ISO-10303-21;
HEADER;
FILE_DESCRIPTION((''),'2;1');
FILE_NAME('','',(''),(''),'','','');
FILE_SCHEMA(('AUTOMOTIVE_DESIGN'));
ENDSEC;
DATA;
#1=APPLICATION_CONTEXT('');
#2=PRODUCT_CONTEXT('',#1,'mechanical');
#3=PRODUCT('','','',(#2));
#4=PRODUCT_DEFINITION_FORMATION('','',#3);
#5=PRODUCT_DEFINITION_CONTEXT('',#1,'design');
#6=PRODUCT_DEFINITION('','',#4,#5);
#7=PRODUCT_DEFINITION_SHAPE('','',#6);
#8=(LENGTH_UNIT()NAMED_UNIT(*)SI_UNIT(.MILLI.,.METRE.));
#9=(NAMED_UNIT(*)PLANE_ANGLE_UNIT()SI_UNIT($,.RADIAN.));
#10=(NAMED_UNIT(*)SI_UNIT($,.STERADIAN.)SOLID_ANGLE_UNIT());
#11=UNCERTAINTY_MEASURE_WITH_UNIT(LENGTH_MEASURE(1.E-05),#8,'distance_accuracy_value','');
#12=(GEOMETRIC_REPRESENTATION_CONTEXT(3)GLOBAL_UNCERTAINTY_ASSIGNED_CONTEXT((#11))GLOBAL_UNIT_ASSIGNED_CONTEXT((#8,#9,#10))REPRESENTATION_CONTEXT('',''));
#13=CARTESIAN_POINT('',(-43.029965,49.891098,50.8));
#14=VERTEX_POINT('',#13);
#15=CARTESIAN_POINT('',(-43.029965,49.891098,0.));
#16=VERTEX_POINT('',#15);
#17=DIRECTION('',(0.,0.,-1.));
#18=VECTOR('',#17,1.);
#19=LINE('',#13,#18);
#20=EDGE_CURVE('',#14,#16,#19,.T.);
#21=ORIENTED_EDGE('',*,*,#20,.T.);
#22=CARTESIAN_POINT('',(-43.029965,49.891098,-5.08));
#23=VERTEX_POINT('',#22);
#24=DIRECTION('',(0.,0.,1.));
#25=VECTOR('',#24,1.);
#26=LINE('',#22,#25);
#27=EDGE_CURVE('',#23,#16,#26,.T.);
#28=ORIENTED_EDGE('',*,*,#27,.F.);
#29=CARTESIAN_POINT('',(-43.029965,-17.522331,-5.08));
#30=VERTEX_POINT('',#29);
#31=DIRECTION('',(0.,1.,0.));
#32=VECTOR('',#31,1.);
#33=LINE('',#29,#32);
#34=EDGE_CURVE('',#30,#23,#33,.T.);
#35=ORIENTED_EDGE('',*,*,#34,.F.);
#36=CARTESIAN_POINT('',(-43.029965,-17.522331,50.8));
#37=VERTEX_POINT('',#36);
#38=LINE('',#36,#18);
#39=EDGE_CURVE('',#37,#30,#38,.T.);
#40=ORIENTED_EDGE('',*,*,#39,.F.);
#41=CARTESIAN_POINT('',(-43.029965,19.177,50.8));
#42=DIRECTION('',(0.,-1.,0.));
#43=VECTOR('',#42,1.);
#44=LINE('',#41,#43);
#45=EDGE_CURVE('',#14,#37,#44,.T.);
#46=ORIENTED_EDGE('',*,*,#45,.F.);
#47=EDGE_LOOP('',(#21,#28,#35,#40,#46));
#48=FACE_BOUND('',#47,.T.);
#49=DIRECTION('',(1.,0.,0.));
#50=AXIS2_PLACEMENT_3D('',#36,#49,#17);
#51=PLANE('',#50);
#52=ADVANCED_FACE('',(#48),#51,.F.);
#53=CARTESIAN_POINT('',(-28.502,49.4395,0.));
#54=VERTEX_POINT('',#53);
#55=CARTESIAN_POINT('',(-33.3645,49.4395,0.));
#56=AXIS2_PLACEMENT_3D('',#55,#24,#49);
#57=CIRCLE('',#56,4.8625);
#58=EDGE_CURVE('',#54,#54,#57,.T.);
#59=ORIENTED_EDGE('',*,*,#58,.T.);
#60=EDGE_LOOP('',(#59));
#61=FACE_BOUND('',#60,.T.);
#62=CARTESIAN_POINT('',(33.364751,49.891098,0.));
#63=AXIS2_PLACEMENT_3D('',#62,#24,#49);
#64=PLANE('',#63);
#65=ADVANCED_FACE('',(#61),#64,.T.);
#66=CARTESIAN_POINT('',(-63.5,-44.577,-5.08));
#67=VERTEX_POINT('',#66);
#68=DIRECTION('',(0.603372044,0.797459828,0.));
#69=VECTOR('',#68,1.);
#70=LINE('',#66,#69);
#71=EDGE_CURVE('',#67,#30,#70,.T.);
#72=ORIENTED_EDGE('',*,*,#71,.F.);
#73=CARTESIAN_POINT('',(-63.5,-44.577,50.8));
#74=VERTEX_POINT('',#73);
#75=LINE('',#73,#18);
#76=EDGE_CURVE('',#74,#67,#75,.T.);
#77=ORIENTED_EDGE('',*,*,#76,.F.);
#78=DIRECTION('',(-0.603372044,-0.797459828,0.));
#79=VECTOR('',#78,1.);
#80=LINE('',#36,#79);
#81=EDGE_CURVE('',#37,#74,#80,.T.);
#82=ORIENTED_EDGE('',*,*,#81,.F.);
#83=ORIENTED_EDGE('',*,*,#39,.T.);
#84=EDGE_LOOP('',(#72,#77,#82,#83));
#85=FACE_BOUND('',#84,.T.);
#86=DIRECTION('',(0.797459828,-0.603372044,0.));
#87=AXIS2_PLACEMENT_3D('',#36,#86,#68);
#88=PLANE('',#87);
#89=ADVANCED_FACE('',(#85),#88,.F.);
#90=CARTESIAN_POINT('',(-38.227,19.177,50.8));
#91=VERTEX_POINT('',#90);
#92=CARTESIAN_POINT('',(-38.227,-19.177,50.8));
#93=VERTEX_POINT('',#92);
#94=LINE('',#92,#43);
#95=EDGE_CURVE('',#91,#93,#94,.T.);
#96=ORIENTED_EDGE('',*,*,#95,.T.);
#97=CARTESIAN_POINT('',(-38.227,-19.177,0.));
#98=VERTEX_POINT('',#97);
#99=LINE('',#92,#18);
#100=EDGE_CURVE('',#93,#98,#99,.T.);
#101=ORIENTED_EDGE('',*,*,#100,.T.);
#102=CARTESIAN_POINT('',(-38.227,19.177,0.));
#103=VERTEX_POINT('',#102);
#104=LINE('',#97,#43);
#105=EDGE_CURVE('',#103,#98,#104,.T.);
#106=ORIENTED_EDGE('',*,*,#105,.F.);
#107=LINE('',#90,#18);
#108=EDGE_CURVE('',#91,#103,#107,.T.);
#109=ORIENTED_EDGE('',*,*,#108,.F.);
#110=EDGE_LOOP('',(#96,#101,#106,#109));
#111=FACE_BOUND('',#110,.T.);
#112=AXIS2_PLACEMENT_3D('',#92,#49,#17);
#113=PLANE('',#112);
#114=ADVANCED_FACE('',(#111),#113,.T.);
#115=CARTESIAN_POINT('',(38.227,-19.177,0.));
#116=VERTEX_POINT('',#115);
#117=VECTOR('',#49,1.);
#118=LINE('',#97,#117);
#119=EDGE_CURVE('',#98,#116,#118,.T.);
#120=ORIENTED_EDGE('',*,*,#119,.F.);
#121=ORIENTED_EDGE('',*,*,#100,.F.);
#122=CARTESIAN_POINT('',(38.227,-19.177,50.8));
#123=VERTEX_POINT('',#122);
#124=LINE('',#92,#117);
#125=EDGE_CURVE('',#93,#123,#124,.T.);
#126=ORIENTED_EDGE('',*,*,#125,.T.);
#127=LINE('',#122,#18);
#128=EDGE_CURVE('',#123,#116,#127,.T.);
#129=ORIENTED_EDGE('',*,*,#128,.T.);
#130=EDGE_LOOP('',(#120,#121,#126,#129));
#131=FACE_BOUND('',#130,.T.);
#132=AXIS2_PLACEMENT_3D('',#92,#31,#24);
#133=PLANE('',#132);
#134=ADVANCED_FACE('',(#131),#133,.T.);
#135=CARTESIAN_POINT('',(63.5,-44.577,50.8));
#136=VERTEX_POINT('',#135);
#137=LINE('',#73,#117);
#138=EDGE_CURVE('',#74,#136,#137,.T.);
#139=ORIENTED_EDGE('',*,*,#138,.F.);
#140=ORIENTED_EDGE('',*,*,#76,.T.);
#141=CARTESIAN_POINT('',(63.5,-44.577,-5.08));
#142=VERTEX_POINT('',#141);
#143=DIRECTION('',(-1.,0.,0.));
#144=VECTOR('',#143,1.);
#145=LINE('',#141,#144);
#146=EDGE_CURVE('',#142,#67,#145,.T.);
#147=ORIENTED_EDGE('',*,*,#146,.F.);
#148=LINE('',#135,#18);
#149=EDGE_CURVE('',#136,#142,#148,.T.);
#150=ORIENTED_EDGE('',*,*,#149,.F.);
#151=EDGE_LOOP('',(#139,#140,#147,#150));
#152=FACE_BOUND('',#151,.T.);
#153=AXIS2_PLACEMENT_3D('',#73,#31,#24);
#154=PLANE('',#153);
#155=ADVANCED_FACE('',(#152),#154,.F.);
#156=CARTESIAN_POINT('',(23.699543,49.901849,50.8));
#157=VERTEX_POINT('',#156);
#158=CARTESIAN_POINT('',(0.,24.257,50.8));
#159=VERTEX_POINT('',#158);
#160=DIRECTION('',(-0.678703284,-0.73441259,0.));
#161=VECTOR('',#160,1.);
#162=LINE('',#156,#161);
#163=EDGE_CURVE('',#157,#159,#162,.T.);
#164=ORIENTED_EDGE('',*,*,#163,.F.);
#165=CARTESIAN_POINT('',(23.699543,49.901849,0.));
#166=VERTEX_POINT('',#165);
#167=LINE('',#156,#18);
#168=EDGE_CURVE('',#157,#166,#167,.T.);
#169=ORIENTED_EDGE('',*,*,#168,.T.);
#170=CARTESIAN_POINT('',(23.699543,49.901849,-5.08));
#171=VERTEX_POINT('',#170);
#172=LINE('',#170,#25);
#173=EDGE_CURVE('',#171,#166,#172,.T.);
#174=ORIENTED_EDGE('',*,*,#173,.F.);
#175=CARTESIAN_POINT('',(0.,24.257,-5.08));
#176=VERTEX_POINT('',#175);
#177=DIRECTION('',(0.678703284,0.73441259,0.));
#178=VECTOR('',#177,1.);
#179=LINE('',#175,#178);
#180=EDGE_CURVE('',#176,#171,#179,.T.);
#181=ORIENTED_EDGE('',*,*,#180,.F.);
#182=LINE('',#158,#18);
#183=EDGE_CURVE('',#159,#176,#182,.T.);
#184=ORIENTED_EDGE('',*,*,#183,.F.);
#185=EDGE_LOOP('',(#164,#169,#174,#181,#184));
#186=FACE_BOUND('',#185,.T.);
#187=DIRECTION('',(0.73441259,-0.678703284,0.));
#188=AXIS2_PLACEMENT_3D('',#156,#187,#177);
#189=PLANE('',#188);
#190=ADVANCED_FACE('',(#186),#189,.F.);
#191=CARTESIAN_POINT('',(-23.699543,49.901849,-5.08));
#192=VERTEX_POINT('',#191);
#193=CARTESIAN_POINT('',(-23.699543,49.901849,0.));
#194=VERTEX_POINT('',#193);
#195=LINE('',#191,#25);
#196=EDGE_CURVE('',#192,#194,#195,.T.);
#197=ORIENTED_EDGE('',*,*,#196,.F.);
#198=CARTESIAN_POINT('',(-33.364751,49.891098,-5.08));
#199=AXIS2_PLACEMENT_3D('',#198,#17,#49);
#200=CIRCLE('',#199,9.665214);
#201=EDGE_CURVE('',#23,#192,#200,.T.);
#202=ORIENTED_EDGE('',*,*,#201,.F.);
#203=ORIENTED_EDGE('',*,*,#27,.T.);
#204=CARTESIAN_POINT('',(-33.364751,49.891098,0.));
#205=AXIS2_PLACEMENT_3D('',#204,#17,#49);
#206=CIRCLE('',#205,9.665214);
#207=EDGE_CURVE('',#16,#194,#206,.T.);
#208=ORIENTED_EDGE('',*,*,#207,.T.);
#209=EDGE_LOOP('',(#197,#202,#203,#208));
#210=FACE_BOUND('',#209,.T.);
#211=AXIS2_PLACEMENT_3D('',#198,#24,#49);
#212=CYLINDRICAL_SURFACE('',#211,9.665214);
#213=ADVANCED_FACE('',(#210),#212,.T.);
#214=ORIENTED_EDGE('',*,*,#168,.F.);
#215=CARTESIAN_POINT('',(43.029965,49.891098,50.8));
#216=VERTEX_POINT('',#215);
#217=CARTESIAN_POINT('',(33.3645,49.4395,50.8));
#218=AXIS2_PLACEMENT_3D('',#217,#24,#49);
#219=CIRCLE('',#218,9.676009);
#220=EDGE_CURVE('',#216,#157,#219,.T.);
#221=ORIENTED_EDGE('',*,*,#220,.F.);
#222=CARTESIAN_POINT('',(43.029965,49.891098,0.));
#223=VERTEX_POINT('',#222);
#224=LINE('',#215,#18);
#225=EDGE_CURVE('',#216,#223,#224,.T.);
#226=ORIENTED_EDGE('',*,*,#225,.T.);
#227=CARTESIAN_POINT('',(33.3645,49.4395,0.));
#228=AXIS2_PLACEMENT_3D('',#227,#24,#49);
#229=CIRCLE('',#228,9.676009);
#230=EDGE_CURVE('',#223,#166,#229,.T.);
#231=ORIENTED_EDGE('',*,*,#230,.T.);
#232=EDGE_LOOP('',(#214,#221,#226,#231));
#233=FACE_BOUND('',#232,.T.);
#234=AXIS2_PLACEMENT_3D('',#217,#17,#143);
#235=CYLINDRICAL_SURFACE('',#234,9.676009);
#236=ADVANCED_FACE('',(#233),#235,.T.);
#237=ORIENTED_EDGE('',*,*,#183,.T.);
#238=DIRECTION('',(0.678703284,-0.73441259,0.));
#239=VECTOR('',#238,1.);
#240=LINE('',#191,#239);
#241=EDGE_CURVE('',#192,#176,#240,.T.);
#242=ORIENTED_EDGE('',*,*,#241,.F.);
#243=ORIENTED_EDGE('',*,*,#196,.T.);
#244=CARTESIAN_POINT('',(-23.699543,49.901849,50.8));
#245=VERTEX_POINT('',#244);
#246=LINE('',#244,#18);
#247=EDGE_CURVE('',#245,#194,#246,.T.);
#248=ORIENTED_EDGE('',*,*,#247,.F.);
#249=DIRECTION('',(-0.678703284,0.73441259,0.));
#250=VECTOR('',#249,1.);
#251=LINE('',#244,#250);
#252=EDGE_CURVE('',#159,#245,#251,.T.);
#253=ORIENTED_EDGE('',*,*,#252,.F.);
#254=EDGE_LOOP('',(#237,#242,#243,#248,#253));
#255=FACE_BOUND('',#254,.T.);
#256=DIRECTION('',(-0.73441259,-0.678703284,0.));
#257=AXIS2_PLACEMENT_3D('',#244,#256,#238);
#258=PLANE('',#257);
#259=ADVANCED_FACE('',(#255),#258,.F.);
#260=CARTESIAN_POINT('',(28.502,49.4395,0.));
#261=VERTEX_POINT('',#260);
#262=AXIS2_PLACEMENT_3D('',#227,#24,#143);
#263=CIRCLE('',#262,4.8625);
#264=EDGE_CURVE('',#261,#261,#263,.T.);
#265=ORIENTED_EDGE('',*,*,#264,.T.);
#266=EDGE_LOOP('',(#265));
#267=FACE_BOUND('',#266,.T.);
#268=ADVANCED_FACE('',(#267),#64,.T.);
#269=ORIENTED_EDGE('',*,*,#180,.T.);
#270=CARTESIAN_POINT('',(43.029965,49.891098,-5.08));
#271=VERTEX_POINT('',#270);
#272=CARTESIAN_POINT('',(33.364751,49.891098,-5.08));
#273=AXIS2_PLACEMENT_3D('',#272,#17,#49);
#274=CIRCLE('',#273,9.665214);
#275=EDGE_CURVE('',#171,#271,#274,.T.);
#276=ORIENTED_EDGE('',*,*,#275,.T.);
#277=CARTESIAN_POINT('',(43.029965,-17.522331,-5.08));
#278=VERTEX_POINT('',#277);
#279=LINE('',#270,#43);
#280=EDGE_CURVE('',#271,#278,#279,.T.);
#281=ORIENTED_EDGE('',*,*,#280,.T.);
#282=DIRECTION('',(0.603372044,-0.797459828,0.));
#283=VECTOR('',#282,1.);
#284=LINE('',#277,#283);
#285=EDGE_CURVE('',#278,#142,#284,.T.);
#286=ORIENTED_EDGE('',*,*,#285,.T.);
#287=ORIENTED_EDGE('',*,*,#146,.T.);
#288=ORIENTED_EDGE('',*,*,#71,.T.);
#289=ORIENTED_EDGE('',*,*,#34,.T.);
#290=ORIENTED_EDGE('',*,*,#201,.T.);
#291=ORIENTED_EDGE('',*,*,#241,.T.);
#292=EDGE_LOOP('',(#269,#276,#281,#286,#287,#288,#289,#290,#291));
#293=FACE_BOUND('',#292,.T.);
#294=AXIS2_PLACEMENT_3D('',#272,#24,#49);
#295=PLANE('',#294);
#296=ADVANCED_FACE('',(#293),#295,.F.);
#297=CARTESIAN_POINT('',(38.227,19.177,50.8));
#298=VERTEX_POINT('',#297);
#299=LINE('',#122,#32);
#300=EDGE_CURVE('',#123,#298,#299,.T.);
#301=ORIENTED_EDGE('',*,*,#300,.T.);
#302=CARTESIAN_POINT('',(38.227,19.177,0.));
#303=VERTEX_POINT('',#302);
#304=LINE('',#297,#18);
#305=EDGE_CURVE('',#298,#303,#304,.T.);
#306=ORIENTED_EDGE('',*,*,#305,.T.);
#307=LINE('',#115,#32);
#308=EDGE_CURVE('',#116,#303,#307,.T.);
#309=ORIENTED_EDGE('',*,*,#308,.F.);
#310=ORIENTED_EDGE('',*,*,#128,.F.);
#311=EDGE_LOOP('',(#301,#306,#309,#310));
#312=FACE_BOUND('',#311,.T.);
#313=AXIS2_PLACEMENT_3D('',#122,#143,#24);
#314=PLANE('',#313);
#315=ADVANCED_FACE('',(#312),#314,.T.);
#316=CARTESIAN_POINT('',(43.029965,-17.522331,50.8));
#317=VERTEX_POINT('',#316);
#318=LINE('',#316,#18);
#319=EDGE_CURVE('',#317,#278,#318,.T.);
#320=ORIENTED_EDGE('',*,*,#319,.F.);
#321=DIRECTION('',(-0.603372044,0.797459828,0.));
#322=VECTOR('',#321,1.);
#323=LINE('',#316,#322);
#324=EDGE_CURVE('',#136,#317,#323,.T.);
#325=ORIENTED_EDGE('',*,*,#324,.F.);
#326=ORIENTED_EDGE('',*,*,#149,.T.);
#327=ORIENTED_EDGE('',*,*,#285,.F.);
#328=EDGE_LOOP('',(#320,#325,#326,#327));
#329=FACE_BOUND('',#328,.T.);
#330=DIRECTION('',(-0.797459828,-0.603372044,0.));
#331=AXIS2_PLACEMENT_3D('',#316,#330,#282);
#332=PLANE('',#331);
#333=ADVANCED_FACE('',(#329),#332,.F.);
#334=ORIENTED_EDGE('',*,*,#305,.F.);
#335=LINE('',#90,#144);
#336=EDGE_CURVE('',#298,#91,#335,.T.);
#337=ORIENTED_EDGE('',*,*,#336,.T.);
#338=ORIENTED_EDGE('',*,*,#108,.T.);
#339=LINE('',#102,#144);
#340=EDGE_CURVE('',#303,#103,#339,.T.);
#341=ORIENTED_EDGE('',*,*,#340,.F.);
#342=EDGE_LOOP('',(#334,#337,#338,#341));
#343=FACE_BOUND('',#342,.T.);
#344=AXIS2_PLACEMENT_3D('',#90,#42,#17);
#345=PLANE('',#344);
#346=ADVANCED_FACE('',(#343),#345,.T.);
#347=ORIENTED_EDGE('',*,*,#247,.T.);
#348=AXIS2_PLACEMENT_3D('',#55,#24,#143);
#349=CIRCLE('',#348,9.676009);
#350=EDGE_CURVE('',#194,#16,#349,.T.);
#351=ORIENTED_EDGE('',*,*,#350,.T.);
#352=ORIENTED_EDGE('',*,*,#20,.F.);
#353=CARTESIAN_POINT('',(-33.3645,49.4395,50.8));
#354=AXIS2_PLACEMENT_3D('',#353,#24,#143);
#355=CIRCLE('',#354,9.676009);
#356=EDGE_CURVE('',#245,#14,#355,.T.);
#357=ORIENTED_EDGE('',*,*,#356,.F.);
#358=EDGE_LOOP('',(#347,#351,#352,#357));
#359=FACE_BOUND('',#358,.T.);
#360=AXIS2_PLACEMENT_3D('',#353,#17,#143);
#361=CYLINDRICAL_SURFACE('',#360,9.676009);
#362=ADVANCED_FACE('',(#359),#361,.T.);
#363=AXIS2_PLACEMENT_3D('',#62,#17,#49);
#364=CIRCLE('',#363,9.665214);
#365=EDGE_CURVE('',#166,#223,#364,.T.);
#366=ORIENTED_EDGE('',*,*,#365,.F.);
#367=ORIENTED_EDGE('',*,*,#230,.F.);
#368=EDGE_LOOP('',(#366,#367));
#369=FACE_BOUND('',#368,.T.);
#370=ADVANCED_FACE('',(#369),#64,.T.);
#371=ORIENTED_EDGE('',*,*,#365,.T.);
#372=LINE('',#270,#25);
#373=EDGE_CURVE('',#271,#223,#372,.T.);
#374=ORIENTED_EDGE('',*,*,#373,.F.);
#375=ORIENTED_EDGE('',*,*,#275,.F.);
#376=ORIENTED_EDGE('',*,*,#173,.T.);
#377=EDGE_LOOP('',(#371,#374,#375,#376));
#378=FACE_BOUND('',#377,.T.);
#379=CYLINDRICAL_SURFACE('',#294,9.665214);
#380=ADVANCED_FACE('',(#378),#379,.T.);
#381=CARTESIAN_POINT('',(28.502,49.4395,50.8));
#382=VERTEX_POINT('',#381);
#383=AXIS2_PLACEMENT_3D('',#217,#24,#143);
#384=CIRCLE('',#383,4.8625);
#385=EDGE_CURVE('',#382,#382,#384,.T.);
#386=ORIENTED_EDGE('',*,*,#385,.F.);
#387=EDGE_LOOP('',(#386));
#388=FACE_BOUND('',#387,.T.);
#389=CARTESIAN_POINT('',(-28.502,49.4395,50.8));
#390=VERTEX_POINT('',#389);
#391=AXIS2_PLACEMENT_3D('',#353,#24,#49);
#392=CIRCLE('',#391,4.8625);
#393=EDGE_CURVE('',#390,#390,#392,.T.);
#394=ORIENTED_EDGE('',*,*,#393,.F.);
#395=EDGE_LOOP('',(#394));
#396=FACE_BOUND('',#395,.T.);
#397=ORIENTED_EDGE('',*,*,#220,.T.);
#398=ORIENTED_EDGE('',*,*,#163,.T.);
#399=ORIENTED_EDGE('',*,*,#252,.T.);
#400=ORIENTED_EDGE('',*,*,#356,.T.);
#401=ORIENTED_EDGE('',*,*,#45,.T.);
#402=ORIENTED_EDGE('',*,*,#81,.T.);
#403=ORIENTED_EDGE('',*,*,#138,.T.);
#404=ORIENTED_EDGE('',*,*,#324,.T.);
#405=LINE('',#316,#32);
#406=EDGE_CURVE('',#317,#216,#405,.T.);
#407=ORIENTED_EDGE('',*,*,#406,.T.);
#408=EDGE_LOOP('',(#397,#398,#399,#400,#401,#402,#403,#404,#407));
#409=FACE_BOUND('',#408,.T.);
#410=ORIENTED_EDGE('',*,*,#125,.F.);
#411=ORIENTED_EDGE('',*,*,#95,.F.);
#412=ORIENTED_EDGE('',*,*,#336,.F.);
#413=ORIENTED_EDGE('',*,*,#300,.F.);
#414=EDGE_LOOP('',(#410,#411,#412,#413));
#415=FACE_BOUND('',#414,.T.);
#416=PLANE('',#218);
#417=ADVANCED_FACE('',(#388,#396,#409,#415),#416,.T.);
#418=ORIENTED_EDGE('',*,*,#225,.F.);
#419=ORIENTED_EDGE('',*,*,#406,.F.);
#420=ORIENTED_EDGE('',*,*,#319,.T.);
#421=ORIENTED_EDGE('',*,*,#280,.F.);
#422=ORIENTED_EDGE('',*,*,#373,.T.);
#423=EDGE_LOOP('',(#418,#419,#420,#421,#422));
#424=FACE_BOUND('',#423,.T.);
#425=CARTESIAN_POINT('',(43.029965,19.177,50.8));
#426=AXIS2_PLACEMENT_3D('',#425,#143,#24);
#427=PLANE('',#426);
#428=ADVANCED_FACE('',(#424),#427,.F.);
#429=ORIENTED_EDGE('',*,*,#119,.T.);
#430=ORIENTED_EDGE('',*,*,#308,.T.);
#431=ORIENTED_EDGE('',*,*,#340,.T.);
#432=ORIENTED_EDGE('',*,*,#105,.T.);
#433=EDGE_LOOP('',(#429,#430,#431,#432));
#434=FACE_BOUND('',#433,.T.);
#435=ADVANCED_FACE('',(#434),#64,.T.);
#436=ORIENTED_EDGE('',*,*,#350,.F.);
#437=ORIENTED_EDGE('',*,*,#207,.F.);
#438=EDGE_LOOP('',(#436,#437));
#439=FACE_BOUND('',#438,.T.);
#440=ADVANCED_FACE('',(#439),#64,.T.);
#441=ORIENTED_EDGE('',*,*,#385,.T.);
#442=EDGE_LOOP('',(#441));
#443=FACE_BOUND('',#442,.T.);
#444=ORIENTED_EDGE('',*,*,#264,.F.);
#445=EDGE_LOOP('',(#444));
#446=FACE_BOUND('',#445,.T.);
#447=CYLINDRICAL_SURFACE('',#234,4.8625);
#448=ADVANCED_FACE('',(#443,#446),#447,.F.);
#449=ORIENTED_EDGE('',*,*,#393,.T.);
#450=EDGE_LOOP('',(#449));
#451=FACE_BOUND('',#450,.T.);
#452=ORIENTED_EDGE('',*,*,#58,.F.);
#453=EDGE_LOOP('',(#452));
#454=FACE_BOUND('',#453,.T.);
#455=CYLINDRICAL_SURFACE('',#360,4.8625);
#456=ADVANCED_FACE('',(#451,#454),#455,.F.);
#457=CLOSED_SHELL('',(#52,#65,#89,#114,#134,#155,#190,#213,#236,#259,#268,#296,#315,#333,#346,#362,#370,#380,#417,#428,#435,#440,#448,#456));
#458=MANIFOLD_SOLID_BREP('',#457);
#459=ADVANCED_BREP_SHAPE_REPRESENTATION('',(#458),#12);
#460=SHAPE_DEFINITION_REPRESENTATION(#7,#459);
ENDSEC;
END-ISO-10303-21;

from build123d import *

# Parameters (mm, degrees)
SKETCH1_R           = 4.862500054
SKETCH1_W           = 76.454
SKETCH1_H           = 38.354
BOSS_EXTRUDE1_DEPTH = 50.8
BOSS_EXTRUDE2_DEPTH = 5.08


with BuildPart() as part:
    # Sketch1 → Boss-Extrude1 (new body)
    with BuildSketch(Plane.XY):
        with BuildLine():
            Line((-43.029964919, -17.522331458), (-43.029964919, 19.177))
            Line((-43.029964919, 19.177), (-43.029964919, 49.89109769))
            ThreePointArc((-43.029964919, 49.89109769), (-33.369881409, 59.115507734), (-23.699543278, 49.901848605))
            Line((-23.699543278, 49.901848605), (0, 24.257))
            Line((0, 24.257), (23.699543278, 49.901848605))
            ThreePointArc((23.699543278, 49.901848605), (33.369881409, 59.115507734), (43.029964919, 49.89109769))
            Line((43.029964919, 49.89109769), (43.029964919, 19.177))
            Line((43.029964919, 19.177), (43.029964919, -17.522331458))
            Line((43.029964919, -17.522331458), (63.5, -44.577))
            Line((63.5, -44.577), (-63.5, -44.577))
            Line((-63.5, -44.577), (-43.029964919, -17.522331458))
        make_face()
        with Locations((-33.364499946, 49.439500054)):
            Circle(SKETCH1_R, mode=Mode.SUBTRACT)
        with Locations(Location((33.364499946, 49.439500054, 0), (0, 0, 180))):
            Circle(SKETCH1_R, mode=Mode.SUBTRACT)
        Rectangle(SKETCH1_W, SKETCH1_H, mode=Mode.SUBTRACT)
    extrude(amount=BOSS_EXTRUDE1_DEPTH)

    # Sketch2 → Boss-Extrude2 (add)
    with BuildSketch(Plane(origin=(0, 0, 0), x_dir=(-1, 0, 0), z_dir=(0, 0, -1))):
        with BuildLine():
            Line((-43.029964919, 49.89109769), (-43.029964919, -17.522331458))
            Line((-43.029964919, -17.522331458), (-63.5, -44.577))
            Line((-63.5, -44.577), (63.5, -44.577))
            Line((63.5, -44.577), (43.029964919, -17.522331458))
            Line((43.029964919, -17.522331458), (43.029964919, 49.89109769))
            ThreePointArc((43.029964919, 49.89109769), (33.370126568, 59.556310005), (23.699543278, 49.901848605))
            Line((23.699543278, 49.901848605), (0, 24.257))
            Line((0, 24.257), (-23.699543278, 49.901848605))
            ThreePointArc((-23.699543278, 49.901848605), (-33.370126568, 59.556310005), (-43.029964919, 49.89109769))
        make_face()
    extrude(amount=BOSS_EXTRUDE2_DEPTH)


solid = part.part
